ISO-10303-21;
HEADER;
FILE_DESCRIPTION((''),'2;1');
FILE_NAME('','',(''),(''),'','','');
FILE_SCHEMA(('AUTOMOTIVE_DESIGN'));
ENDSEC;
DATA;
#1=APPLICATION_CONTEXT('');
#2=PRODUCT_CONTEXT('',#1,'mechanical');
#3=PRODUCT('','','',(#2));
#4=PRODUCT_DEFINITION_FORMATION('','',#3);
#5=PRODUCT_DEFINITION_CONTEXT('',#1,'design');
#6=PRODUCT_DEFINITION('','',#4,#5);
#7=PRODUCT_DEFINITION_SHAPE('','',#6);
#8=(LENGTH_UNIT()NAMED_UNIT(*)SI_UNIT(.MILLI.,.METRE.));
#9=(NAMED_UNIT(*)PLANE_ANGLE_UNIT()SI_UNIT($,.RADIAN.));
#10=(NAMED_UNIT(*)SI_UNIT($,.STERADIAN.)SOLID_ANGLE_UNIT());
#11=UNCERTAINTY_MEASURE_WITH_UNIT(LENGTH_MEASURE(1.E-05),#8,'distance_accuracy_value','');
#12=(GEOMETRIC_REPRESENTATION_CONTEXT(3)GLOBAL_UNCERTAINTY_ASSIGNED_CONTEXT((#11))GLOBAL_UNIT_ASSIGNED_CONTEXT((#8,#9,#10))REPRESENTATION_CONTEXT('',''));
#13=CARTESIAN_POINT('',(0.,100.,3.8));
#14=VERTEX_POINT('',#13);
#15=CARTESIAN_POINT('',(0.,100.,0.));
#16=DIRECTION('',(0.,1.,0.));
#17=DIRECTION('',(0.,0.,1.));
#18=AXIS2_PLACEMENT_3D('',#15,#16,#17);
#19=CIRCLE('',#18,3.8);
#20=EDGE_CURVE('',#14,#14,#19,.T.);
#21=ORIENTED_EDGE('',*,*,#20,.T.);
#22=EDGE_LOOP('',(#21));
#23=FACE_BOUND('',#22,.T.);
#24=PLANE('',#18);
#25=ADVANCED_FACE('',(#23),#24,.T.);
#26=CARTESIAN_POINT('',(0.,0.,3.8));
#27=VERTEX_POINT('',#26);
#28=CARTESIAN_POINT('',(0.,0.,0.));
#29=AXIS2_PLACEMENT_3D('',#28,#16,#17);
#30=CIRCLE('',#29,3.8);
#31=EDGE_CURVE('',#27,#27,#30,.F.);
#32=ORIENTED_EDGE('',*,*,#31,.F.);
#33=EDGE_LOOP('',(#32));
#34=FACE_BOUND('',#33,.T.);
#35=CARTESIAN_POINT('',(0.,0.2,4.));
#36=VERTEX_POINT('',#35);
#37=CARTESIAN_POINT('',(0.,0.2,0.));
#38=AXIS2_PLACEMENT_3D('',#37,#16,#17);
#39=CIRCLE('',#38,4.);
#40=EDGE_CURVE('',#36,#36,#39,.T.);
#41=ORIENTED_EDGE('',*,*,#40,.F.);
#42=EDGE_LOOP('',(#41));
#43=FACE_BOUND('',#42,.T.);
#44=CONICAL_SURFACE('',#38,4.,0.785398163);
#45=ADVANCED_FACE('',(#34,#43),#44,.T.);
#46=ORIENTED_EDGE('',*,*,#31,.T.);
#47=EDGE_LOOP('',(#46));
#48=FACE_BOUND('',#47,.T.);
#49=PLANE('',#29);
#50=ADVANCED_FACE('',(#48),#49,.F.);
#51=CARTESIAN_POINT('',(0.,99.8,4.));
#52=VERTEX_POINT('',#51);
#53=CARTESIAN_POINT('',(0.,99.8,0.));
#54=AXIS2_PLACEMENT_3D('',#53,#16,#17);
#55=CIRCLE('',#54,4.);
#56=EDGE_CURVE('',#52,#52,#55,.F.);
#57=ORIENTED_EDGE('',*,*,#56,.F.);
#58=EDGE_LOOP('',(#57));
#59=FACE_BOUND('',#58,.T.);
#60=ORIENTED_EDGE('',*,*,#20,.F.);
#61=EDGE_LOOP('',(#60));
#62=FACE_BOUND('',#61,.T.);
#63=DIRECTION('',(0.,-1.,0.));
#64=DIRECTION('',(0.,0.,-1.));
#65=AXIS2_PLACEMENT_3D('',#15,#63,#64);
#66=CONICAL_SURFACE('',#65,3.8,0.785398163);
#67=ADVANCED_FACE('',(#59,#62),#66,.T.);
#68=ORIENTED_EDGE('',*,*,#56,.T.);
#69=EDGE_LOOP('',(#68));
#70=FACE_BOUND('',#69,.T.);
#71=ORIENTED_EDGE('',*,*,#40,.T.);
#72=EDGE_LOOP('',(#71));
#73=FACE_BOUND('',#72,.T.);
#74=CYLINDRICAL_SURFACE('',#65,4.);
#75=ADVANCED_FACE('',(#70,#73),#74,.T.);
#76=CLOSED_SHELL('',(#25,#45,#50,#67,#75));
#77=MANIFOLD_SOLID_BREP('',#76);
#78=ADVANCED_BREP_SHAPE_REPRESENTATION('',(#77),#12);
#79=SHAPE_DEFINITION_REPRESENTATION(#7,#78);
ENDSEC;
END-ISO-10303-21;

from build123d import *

# Parameters (mm, degrees)
SKETCH1_R           = 4
BOSS_EXTRUDE1_DEPTH = 100
CHAMFER1_SIZE       = 0.2


with BuildPart() as part:
    # Sketch1 → Boss-Extrude1 (new body)
    with BuildSketch(Plane(origin=(0, 0, 0), x_dir=(1, 0, 0), z_dir=(0, 1, 0))):
        Circle(SKETCH1_R)
    extrude(amount=BOSS_EXTRUDE1_DEPTH)

    # Chamfer1
    chamfer1_edges = [part.edges().sort_by_distance(p)[0] for p in [
        (-4, 0, 0),
        (-4, 100, 0),
    ]]
    chamfer(chamfer1_edges, length=CHAMFER1_SIZE)


solid = part.part
